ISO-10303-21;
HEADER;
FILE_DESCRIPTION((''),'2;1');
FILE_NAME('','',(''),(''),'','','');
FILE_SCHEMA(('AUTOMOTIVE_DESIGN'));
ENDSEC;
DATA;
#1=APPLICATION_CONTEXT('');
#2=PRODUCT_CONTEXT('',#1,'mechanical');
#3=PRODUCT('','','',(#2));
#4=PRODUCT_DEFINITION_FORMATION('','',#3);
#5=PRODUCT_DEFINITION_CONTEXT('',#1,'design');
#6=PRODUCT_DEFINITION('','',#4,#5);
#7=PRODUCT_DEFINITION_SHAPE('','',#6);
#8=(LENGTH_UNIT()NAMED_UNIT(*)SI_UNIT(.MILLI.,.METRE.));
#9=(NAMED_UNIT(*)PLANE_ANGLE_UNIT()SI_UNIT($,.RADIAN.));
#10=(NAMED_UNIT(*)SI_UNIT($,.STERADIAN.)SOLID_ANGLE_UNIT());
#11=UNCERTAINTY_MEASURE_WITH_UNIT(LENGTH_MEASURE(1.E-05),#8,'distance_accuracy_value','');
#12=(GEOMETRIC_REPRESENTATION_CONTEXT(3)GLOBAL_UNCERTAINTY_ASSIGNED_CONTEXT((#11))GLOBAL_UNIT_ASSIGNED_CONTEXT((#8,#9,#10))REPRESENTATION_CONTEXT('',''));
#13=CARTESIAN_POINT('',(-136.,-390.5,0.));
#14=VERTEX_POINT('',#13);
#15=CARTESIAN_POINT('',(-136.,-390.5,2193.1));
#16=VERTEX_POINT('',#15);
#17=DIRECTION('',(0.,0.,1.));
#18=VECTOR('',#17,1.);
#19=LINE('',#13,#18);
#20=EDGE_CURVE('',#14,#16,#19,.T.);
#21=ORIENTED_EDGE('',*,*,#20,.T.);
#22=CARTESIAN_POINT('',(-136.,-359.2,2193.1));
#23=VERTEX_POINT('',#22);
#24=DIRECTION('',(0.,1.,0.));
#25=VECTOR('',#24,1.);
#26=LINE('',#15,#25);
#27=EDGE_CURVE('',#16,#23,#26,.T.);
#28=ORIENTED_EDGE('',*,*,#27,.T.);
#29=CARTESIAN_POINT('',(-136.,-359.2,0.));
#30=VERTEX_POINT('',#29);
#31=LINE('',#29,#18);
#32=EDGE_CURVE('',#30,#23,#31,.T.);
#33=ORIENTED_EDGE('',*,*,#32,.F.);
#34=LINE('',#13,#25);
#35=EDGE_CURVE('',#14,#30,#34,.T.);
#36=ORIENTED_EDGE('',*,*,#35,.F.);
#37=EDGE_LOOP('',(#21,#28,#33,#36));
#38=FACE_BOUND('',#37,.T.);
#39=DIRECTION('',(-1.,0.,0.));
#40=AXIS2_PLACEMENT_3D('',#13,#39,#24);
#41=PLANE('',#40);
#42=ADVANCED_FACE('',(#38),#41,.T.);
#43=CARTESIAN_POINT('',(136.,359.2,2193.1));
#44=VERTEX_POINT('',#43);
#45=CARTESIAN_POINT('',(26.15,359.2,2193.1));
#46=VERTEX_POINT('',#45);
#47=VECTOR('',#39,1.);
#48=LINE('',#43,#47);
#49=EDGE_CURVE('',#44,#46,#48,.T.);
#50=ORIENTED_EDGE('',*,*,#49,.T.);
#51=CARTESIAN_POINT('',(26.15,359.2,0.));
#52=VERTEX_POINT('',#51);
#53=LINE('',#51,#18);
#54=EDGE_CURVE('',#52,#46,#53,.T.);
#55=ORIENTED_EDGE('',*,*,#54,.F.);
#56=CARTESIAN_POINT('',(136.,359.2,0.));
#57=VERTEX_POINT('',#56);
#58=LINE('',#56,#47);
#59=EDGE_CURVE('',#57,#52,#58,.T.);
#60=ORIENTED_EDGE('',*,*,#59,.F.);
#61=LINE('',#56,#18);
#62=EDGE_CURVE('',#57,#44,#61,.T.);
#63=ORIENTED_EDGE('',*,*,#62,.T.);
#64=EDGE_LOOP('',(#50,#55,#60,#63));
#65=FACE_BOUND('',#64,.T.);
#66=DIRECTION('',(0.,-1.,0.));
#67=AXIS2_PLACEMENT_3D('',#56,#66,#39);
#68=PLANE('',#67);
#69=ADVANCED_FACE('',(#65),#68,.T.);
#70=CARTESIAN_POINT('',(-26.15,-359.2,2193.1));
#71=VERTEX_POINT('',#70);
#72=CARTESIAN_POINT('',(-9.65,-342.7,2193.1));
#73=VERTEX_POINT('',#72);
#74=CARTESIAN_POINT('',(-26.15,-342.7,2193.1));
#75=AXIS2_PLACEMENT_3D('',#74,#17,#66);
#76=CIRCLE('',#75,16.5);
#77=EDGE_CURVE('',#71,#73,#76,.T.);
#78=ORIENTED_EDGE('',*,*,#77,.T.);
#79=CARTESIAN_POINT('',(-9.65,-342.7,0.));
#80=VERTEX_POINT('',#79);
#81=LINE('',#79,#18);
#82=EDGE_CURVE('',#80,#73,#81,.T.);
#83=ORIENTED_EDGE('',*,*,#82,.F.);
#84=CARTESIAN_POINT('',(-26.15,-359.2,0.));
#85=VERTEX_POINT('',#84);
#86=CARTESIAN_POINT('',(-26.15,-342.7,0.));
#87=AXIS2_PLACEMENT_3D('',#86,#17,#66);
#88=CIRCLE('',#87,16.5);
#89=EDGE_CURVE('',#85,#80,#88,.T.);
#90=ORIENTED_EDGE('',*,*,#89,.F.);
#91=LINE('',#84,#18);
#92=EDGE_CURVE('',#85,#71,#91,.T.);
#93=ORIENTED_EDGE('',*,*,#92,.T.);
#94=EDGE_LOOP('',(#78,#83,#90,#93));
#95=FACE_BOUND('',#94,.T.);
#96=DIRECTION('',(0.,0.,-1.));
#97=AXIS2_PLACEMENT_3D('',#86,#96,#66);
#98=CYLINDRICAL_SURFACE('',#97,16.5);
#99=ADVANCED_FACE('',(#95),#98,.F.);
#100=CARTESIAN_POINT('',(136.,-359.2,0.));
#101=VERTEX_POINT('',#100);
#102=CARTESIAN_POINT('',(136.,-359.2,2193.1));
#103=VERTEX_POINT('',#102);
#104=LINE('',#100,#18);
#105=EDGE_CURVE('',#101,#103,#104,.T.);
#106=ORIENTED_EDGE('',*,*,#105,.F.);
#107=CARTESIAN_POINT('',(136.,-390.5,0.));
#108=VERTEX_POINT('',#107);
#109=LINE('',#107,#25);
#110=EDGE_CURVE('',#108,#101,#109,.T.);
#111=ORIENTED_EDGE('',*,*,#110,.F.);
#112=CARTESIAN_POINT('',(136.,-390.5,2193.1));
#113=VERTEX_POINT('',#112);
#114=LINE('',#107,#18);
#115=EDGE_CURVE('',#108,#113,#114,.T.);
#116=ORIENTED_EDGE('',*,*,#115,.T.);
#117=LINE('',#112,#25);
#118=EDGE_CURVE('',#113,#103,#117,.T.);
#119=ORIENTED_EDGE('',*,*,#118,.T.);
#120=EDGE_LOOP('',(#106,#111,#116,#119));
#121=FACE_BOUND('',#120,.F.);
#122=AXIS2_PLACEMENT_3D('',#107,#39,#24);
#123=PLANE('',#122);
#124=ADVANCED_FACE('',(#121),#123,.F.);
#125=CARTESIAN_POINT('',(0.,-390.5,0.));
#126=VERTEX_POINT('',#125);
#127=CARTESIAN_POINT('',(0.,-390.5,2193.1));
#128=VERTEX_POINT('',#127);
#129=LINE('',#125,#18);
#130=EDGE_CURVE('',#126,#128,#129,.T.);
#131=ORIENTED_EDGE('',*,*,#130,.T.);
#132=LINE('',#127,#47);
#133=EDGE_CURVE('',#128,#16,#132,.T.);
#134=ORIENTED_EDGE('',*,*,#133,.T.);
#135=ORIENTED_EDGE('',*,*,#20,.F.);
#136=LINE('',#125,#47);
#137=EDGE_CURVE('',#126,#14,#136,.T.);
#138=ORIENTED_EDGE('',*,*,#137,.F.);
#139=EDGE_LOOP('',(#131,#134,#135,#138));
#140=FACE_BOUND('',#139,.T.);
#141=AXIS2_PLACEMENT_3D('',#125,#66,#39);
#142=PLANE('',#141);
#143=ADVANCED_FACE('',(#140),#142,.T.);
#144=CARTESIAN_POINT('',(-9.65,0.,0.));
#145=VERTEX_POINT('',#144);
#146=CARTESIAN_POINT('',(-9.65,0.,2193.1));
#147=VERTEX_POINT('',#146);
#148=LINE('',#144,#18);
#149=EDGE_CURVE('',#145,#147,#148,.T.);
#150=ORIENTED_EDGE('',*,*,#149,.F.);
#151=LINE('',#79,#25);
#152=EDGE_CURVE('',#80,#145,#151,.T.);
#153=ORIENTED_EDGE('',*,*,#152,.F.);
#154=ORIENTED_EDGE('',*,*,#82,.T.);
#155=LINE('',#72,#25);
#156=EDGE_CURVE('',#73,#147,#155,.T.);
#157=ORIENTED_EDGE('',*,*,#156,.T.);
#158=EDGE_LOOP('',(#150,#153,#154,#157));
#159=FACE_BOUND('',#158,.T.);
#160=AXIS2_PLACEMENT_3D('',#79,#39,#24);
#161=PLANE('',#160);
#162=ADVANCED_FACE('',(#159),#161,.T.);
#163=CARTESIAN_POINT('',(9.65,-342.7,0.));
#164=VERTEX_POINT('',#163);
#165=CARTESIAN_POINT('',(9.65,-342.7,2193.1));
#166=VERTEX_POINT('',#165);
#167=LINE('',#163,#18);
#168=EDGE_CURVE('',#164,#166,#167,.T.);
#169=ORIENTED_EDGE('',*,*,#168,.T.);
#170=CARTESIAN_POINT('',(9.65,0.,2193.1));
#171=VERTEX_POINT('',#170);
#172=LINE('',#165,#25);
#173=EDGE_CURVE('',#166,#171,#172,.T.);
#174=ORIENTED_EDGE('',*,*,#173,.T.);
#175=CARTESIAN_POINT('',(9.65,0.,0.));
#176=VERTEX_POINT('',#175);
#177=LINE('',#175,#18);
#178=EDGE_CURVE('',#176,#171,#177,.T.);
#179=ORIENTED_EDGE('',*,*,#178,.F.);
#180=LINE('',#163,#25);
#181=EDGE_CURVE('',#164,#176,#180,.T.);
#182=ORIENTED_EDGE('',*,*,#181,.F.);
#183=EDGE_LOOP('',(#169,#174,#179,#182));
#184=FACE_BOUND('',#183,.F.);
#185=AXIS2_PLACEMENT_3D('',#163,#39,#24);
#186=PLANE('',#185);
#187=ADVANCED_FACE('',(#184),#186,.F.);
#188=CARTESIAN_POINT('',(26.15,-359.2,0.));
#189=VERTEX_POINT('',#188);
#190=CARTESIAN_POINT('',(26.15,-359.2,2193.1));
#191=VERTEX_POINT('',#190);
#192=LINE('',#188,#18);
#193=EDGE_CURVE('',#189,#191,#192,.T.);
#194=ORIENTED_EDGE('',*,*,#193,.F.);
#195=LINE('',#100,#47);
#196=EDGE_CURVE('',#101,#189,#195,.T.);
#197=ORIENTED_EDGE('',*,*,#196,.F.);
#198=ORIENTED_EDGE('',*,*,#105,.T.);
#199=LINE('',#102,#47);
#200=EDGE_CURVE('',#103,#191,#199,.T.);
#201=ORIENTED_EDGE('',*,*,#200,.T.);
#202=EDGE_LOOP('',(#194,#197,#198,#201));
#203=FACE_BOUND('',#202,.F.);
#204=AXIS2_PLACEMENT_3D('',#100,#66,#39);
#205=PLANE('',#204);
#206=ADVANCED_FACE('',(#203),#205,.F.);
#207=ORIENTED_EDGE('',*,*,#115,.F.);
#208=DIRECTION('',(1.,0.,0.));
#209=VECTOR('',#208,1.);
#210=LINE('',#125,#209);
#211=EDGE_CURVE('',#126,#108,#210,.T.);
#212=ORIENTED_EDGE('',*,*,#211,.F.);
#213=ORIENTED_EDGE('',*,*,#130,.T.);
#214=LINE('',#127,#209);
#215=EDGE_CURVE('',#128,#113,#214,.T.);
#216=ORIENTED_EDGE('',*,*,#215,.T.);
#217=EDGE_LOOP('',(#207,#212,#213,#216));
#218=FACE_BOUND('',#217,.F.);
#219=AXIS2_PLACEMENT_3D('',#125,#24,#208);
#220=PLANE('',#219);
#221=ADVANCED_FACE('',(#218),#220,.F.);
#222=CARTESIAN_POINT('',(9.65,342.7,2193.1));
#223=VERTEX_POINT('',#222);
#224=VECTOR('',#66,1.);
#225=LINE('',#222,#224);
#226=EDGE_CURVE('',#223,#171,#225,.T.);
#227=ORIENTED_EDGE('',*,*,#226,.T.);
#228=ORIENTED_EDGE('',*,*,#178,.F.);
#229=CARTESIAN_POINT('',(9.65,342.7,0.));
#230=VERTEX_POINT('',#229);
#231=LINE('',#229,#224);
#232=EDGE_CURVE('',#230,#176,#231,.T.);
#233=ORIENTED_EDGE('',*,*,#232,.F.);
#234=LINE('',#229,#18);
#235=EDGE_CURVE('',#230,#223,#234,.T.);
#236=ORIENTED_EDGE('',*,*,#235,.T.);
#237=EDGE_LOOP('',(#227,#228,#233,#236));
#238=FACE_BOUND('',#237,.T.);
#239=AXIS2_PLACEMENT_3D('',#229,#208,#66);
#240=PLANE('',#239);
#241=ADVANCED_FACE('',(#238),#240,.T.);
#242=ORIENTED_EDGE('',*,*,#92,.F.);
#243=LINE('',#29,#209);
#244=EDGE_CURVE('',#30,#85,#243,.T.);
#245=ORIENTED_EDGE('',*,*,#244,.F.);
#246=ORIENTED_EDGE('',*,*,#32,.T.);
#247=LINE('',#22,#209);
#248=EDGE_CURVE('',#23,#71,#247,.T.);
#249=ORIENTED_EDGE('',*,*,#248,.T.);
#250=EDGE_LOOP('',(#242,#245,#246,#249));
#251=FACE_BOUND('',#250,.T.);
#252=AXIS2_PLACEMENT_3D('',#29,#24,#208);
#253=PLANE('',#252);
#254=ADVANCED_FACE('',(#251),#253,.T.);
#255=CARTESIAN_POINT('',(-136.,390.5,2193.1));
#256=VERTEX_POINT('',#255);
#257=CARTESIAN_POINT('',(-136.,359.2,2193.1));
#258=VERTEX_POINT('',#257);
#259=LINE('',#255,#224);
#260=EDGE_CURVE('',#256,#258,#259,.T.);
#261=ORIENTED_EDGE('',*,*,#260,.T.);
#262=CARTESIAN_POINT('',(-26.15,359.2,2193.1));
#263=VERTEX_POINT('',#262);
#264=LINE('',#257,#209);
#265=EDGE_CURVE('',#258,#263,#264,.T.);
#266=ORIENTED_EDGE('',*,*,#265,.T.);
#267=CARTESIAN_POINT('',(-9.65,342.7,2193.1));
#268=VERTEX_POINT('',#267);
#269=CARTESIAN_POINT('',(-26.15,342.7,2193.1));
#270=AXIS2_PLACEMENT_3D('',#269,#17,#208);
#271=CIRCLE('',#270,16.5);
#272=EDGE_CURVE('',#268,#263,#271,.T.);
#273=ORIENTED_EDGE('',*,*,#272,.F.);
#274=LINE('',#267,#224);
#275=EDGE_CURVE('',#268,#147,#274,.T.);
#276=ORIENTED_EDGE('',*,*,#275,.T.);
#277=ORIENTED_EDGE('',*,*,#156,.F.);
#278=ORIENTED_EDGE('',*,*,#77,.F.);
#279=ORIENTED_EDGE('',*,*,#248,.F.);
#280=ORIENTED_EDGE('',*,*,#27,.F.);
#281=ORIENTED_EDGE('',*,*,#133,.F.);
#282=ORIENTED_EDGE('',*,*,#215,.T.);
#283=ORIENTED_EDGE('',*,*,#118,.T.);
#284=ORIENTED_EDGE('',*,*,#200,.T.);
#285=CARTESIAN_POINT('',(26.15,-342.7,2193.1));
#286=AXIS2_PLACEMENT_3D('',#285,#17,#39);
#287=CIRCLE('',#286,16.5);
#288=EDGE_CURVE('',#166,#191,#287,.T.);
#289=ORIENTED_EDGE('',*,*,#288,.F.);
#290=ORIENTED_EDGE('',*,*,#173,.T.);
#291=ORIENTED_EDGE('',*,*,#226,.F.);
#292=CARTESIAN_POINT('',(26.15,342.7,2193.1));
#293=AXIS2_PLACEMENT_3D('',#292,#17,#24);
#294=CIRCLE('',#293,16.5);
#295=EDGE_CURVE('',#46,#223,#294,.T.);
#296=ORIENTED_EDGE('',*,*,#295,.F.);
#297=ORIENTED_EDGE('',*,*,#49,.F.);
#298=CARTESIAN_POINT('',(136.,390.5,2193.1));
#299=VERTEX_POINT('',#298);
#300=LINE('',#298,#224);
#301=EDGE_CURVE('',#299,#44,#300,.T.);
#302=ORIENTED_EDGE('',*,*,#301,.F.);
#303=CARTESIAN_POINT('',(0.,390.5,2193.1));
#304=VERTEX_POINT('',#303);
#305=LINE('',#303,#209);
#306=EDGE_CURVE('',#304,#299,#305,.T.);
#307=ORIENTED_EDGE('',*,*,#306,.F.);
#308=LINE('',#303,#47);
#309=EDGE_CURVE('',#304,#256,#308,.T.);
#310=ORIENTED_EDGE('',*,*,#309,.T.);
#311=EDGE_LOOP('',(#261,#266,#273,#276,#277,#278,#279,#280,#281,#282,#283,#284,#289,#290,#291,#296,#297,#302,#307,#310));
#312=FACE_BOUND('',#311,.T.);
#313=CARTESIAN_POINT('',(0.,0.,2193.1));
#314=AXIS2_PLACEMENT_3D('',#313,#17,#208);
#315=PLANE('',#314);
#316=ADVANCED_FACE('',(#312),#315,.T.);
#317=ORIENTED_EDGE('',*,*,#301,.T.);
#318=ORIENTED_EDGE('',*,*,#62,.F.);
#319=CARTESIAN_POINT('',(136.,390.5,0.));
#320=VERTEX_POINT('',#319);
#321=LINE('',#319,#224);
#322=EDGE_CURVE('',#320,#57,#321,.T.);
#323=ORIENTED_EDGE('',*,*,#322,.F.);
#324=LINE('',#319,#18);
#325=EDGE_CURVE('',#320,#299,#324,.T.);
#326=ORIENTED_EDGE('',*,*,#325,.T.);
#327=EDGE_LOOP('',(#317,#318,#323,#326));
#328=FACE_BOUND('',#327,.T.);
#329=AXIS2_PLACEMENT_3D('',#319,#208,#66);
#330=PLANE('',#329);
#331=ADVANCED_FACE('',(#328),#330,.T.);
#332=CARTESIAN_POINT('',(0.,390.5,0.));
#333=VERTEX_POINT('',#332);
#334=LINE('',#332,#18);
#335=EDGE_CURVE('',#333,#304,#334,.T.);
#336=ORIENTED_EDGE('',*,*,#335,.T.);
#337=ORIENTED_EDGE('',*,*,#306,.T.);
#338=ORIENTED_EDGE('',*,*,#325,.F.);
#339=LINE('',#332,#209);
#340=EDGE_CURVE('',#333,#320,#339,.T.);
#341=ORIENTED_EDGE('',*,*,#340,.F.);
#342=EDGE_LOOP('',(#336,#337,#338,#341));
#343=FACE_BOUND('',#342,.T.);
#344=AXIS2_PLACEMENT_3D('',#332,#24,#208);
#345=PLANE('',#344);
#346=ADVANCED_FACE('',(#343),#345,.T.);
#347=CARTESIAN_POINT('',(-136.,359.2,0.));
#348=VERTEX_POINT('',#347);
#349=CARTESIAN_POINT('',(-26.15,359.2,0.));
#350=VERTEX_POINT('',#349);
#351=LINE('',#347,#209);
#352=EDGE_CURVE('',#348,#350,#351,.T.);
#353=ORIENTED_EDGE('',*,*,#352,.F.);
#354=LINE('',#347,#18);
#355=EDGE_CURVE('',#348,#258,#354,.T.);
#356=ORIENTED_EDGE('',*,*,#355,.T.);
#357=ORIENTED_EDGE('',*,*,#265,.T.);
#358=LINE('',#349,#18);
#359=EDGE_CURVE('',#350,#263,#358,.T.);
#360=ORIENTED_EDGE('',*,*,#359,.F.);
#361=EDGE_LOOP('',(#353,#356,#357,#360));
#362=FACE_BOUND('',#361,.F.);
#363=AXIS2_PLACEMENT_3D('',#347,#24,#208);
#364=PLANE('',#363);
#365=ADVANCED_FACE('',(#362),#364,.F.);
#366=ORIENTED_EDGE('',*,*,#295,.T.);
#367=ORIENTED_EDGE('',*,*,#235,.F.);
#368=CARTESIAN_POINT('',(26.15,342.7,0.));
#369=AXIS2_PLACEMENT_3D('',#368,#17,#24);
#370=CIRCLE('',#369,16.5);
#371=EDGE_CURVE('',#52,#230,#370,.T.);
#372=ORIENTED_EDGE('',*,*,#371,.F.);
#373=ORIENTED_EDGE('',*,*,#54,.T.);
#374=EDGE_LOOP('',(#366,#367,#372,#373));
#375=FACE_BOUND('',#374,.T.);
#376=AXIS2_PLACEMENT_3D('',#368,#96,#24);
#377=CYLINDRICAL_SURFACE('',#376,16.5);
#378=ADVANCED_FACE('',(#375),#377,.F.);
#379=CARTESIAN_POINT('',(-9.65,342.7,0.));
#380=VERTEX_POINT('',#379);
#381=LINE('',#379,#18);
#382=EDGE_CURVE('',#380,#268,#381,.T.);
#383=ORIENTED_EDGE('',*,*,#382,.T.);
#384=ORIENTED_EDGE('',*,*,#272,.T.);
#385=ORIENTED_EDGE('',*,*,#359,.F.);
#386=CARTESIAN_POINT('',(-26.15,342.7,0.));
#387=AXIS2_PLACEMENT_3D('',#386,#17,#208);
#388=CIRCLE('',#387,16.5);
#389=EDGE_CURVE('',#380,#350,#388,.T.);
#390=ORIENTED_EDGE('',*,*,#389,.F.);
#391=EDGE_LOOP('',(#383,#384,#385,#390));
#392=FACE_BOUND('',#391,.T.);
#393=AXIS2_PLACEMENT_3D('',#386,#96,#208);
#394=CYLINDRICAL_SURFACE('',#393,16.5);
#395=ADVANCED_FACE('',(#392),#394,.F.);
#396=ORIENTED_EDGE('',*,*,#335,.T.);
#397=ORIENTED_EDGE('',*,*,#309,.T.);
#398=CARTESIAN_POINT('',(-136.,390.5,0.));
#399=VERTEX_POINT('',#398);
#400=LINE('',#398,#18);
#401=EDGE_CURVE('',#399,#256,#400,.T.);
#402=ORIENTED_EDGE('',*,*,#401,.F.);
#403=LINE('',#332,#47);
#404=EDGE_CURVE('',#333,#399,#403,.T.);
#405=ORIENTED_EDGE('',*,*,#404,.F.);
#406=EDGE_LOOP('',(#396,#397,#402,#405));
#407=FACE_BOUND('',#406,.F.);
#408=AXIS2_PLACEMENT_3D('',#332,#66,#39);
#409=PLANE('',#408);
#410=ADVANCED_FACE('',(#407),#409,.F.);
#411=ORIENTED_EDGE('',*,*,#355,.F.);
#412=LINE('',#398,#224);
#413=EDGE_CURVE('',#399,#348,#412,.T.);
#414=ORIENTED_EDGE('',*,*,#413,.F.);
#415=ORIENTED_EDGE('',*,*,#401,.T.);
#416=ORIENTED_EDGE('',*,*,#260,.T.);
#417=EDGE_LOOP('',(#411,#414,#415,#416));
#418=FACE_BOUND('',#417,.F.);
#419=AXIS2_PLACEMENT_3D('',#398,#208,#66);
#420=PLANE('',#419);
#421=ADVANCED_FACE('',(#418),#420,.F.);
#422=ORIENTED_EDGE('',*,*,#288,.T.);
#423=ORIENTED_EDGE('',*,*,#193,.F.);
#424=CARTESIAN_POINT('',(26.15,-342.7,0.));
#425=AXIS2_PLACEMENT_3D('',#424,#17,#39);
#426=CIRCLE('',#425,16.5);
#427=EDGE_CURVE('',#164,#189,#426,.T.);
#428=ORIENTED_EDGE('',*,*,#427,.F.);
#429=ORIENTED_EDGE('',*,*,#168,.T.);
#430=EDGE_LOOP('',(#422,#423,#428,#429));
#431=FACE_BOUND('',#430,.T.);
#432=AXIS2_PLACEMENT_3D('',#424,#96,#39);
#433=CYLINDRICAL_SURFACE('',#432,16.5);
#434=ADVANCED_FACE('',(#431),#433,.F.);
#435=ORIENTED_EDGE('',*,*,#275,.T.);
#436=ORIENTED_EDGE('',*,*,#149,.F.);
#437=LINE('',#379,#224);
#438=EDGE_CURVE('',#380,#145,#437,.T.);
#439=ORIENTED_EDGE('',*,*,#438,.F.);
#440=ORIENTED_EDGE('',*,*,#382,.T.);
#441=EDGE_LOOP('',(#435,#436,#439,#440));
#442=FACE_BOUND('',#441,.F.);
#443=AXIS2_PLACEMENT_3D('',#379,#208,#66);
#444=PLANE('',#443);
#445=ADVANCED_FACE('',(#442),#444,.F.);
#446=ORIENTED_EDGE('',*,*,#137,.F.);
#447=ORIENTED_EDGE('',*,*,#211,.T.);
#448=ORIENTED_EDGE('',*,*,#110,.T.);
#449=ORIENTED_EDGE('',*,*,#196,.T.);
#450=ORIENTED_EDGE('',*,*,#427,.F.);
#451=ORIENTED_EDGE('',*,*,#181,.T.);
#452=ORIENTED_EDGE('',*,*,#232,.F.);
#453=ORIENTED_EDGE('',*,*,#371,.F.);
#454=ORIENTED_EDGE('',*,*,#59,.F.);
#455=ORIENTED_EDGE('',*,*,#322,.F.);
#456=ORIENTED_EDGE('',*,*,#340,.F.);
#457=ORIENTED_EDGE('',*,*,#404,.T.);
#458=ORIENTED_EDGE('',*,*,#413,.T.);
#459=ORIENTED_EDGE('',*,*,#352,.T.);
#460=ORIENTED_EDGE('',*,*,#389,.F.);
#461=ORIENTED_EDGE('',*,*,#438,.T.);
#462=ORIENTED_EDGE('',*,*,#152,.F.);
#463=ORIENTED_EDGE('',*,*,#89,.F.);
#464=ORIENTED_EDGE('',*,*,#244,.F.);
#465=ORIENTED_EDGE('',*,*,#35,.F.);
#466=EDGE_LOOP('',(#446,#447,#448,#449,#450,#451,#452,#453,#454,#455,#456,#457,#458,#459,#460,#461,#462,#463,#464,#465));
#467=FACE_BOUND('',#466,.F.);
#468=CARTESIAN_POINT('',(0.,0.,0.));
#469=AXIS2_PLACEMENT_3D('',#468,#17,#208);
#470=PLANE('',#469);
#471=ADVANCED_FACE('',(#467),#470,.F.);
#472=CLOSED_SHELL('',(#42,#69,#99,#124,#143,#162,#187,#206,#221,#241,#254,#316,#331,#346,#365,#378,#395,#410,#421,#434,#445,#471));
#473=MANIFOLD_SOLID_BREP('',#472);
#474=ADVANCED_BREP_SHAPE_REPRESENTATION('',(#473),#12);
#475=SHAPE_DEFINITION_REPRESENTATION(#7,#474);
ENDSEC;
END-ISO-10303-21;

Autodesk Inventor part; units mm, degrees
ref_plane "YZ Plane" through (0, 0, 0) normal (1, 0, 0) x (0, 1, 0)
ref_plane "Start plane" through (0, 0, 0) normal (0, 0, 1) x (1, 0, 0)
ref_plane "End plane" through (0, 0, 2193.1) normal (0, 0, 1) x (1, 0, 0)
sketch "Sketch" plane through (0, 0, 0) normal (0, 0, 1) x (1, 0, 0)
  line L0 (-136, -390.5) -> (-136, -359.2)
  line L1 (-136, -359.2) -> (-26.15, -359.2)
  line L2 (-9.65, -342.7) -> (-9.65, 0)
  line L3 (-9.65, 0) -> (0, 0) construction
  line L4 (0, 0) -> (0, -390.5) construction
  line L5 (0, -390.5) -> (-136, -390.5)
  line L6 (-60, 0) -> (80, 0) construction
  line L7 (0, -60) -> (0, 80) construction
  line L8 (136, -390.5) -> (136, -359.2)
  line L9 (136, -359.2) -> (26.15, -359.2)
  line L10 (9.65, -342.7) -> (9.65, 0)
  line L11 (9.65, 0) -> (0, 0) construction
  line L12 (0, -390.5) -> (136, -390.5)
  line L13 (-136, 390.5) -> (-136, 359.2)
  line L14 (-136, 359.2) -> (-26.15, 359.2)
  line L15 (-9.65, 342.7) -> (-9.65, 0)
  line L16 (0, 390.5) -> (-136, 390.5)
  line L17 (136, 390.5) -> (136, 359.2)
  line L18 (136, 359.2) -> (26.15, 359.2)
  line L19 (0, 390.5) -> (136, 390.5)
  line L20 (9.65, 342.7) -> (9.65, 0)
  arc A0 (-9.65, 342.7) -> (-26.15, 359.2) centre (-26.15, 342.7) ccw
  arc A1 (26.15, 359.2) -> (9.65, 342.7) centre (26.15, 342.7) ccw
  arc A2 (9.65, -342.7) -> (26.15, -359.2) centre (26.15, -342.7) ccw
  arc A3 (-26.15, -359.2) -> (-9.65, -342.7) centre (-26.15, -342.7) ccw
  line L21 (0, 108) -> (0, -88) construction
  line L22 (-88, 0) -> (108, 0) construction
  point P0 (-9.65, -359.2)
  point P1 (9.65, -359.2)
  point P2 (-9.65, 359.2)
  point P3 (9.65, 359.2)
  dimension "d1" = 390.5
  dimension "d2" = 31.3
  dimension "d3" = 136
  dimension "d4" = 9.65
  dimension "d10" = 16.5
extrude "Body" add sketch "Sketch" along normal up to surface (2193.1 mm away) from surface at 0
sketch "Sketch4" plane through (0, 0, 0) normal (0, 0, 1) x (1, 0, 0)
  line L0 (0, 0) -> (10, 0)
ref_plane "Work Plane3" through (0, 0, 0) normal (0, -1, 0) x (1, 0, 0)
sketch "Sketch5" plane through (0, 0, 0) normal (0, -1, 0) x (1, 0, 0)
  line L0 (-2, 0) -> (12, 0) projected
  line L1 (-2, 2193.1) -> (12, 2193.1) projected
  dimension "d14" = 2193.1
equation "\"d1\" = 0.5 * G_H"
equation "\"d2\" = G_T1"
equation "\"d3\" = 0.5 * G_W"
equation "\"d4\" = 0.5 * G_T"
equation "\"d10\" = G_IR"
equation "\"d5\" = G_L"
equation "\"G_W\" = 272"
equation "\"G_H\" = 781"
equation "\"G_T\" = 19.3"
equation "\"G_T1\" = 31.3"
equation "\"G_IR\" = 16.5"
equation "\"G_L\" = d14"
equation "\"G_OFFSET_START\" = 0"
equation "\"G_OFFSET_END\" = 0"
equation "\"d12\" = G_OFFSET_END + B_L"
equation "\"B_L\" = 2193.1"
properties part number "AS 3679-1990 - 760 UB - 244 - 2193.1" material "Steel, Mild"
